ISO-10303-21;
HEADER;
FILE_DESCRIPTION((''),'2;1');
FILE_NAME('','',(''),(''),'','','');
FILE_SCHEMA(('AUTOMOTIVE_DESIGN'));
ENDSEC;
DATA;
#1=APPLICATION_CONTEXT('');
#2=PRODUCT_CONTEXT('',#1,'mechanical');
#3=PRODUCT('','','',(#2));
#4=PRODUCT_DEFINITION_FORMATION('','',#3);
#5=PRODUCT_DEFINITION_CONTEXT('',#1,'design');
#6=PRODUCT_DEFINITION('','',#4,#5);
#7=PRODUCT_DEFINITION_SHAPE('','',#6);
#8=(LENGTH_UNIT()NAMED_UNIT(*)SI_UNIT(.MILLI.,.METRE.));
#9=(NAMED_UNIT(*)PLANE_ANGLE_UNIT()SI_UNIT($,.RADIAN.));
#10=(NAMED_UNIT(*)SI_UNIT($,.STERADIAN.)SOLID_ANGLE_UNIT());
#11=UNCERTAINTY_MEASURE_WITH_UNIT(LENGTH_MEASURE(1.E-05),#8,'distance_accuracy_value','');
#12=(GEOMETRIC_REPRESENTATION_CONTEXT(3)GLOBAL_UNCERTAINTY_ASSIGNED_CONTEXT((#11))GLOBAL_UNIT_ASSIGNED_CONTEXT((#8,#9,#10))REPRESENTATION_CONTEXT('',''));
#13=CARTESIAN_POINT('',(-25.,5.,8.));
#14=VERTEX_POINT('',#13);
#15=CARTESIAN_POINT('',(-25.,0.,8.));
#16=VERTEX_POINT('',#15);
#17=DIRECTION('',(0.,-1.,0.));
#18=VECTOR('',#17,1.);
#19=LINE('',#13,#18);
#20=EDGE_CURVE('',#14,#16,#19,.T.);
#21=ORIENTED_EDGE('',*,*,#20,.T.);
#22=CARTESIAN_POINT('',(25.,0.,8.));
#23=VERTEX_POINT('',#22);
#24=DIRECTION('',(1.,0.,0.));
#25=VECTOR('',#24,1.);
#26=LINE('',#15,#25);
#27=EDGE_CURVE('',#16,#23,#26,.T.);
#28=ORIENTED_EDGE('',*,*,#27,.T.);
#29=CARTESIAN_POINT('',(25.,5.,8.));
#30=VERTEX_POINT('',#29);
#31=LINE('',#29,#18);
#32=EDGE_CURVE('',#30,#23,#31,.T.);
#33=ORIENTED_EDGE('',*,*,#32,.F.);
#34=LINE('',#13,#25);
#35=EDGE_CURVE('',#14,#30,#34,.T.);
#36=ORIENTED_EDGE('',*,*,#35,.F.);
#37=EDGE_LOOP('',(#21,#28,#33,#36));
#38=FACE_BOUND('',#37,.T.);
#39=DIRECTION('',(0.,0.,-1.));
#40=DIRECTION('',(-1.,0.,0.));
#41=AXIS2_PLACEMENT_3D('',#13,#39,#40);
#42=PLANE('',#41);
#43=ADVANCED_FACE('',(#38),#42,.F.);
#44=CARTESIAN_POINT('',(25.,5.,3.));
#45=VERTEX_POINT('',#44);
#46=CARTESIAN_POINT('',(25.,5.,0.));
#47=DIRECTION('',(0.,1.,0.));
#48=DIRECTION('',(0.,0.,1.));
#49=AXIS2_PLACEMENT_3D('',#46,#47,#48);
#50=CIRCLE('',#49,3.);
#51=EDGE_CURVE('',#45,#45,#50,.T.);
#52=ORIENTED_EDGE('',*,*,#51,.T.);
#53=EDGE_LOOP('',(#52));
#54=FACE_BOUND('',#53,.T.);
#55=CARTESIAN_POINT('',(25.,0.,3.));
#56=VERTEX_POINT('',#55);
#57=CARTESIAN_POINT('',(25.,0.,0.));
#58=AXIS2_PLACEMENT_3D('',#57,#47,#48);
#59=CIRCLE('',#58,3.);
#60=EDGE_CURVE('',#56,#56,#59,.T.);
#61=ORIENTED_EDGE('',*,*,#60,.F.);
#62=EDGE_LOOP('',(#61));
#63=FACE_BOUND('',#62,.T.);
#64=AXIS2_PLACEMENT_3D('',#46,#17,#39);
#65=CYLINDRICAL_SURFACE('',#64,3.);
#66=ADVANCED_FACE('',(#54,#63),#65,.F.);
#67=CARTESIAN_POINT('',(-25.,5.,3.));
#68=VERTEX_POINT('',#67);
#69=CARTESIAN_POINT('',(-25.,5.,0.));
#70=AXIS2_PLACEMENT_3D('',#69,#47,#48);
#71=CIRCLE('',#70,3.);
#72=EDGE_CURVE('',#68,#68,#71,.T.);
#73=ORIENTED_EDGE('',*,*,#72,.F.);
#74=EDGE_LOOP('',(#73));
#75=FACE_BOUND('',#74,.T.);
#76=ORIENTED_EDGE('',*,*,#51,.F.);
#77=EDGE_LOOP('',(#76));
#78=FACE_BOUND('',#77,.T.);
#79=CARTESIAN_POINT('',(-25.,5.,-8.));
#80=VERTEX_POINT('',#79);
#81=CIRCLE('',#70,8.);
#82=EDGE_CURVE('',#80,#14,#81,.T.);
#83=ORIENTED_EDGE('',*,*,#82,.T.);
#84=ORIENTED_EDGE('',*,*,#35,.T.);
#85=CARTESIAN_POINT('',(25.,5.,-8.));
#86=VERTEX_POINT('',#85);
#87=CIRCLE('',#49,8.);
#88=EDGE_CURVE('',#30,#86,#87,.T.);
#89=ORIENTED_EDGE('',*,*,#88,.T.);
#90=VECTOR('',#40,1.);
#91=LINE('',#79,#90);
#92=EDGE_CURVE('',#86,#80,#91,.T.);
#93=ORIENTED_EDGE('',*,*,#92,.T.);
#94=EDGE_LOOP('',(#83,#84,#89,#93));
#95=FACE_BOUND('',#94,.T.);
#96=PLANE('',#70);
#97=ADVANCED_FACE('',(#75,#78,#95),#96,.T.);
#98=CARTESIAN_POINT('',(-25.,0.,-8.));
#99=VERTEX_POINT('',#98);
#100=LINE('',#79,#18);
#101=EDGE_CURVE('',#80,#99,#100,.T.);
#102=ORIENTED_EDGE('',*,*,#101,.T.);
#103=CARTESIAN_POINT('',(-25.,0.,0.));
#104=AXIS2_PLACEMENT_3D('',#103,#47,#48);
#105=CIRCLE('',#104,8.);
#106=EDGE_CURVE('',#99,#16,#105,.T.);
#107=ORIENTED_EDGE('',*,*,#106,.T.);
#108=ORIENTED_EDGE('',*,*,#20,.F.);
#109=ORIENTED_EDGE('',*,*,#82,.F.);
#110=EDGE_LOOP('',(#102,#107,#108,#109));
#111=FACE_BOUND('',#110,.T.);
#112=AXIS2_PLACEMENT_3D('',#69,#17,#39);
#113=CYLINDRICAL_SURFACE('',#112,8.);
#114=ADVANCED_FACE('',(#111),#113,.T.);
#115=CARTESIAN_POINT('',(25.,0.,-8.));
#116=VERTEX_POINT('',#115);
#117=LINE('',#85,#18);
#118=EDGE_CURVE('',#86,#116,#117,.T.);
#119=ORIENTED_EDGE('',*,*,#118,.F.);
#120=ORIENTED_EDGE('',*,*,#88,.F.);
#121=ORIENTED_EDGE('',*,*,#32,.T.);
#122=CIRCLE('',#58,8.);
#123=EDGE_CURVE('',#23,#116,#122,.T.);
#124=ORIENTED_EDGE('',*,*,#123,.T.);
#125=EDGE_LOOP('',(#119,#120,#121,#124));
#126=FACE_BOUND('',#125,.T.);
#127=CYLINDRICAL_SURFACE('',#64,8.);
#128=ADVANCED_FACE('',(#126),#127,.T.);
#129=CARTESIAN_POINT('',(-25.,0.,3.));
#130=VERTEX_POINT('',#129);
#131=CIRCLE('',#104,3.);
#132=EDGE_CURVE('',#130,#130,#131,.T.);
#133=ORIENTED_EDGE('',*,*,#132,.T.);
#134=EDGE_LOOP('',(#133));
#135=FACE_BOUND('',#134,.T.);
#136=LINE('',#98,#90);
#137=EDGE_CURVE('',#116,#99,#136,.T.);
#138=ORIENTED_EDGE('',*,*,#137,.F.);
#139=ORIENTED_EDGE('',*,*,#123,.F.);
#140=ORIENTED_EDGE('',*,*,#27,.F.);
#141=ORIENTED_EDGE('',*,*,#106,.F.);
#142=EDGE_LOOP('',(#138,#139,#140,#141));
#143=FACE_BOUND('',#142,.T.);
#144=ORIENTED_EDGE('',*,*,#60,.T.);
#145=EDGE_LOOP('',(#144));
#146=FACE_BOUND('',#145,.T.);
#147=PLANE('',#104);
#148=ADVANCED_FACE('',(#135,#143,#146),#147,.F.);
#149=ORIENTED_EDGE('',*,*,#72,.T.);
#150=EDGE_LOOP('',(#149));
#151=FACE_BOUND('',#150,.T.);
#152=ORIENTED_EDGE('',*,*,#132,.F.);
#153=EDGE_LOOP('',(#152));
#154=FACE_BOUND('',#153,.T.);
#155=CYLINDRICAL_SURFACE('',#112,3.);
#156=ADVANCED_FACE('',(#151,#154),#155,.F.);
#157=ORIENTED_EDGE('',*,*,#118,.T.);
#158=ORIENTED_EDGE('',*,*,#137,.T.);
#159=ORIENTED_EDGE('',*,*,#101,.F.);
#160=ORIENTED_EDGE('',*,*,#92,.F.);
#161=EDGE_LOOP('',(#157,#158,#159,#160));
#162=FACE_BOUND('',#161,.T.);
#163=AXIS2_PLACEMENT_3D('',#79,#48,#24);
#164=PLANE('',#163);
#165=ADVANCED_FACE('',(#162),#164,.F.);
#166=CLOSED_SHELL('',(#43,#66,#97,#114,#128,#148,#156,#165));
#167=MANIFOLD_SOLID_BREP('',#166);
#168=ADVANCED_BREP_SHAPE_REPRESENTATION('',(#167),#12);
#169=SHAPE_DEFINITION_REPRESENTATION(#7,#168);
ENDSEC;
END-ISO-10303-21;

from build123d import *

# Parameters (mm, degrees)
SKETCH_1_R      = 3
EXTRUDE_1_DEPTH = 5


with BuildPart() as part:
    # 草圖1 → 填料-伸長1 (new body)
    with BuildSketch(Plane(origin=(0, 0, 0), x_dir=(1, 0, 0), z_dir=(0, 1, 0))):
        with BuildLine():
            Line((-25, 8), (25, 8))
            ThreePointArc((25, 8), (33, 0), (25, -8))
            Line((25, -8), (-25, -8))
            ThreePointArc((-25, -8), (-33, 0), (-25, 8))
        make_face()
        with Locations(Location((-25, 0, 0), (0, 0, 270))):
            Circle(SKETCH_1_R, mode=Mode.SUBTRACT)
        with Locations(Location((25, 0, 0), (0, 0, 270))):
            Circle(SKETCH_1_R, mode=Mode.SUBTRACT)
    extrude(amount=EXTRUDE_1_DEPTH)


solid = part.part
